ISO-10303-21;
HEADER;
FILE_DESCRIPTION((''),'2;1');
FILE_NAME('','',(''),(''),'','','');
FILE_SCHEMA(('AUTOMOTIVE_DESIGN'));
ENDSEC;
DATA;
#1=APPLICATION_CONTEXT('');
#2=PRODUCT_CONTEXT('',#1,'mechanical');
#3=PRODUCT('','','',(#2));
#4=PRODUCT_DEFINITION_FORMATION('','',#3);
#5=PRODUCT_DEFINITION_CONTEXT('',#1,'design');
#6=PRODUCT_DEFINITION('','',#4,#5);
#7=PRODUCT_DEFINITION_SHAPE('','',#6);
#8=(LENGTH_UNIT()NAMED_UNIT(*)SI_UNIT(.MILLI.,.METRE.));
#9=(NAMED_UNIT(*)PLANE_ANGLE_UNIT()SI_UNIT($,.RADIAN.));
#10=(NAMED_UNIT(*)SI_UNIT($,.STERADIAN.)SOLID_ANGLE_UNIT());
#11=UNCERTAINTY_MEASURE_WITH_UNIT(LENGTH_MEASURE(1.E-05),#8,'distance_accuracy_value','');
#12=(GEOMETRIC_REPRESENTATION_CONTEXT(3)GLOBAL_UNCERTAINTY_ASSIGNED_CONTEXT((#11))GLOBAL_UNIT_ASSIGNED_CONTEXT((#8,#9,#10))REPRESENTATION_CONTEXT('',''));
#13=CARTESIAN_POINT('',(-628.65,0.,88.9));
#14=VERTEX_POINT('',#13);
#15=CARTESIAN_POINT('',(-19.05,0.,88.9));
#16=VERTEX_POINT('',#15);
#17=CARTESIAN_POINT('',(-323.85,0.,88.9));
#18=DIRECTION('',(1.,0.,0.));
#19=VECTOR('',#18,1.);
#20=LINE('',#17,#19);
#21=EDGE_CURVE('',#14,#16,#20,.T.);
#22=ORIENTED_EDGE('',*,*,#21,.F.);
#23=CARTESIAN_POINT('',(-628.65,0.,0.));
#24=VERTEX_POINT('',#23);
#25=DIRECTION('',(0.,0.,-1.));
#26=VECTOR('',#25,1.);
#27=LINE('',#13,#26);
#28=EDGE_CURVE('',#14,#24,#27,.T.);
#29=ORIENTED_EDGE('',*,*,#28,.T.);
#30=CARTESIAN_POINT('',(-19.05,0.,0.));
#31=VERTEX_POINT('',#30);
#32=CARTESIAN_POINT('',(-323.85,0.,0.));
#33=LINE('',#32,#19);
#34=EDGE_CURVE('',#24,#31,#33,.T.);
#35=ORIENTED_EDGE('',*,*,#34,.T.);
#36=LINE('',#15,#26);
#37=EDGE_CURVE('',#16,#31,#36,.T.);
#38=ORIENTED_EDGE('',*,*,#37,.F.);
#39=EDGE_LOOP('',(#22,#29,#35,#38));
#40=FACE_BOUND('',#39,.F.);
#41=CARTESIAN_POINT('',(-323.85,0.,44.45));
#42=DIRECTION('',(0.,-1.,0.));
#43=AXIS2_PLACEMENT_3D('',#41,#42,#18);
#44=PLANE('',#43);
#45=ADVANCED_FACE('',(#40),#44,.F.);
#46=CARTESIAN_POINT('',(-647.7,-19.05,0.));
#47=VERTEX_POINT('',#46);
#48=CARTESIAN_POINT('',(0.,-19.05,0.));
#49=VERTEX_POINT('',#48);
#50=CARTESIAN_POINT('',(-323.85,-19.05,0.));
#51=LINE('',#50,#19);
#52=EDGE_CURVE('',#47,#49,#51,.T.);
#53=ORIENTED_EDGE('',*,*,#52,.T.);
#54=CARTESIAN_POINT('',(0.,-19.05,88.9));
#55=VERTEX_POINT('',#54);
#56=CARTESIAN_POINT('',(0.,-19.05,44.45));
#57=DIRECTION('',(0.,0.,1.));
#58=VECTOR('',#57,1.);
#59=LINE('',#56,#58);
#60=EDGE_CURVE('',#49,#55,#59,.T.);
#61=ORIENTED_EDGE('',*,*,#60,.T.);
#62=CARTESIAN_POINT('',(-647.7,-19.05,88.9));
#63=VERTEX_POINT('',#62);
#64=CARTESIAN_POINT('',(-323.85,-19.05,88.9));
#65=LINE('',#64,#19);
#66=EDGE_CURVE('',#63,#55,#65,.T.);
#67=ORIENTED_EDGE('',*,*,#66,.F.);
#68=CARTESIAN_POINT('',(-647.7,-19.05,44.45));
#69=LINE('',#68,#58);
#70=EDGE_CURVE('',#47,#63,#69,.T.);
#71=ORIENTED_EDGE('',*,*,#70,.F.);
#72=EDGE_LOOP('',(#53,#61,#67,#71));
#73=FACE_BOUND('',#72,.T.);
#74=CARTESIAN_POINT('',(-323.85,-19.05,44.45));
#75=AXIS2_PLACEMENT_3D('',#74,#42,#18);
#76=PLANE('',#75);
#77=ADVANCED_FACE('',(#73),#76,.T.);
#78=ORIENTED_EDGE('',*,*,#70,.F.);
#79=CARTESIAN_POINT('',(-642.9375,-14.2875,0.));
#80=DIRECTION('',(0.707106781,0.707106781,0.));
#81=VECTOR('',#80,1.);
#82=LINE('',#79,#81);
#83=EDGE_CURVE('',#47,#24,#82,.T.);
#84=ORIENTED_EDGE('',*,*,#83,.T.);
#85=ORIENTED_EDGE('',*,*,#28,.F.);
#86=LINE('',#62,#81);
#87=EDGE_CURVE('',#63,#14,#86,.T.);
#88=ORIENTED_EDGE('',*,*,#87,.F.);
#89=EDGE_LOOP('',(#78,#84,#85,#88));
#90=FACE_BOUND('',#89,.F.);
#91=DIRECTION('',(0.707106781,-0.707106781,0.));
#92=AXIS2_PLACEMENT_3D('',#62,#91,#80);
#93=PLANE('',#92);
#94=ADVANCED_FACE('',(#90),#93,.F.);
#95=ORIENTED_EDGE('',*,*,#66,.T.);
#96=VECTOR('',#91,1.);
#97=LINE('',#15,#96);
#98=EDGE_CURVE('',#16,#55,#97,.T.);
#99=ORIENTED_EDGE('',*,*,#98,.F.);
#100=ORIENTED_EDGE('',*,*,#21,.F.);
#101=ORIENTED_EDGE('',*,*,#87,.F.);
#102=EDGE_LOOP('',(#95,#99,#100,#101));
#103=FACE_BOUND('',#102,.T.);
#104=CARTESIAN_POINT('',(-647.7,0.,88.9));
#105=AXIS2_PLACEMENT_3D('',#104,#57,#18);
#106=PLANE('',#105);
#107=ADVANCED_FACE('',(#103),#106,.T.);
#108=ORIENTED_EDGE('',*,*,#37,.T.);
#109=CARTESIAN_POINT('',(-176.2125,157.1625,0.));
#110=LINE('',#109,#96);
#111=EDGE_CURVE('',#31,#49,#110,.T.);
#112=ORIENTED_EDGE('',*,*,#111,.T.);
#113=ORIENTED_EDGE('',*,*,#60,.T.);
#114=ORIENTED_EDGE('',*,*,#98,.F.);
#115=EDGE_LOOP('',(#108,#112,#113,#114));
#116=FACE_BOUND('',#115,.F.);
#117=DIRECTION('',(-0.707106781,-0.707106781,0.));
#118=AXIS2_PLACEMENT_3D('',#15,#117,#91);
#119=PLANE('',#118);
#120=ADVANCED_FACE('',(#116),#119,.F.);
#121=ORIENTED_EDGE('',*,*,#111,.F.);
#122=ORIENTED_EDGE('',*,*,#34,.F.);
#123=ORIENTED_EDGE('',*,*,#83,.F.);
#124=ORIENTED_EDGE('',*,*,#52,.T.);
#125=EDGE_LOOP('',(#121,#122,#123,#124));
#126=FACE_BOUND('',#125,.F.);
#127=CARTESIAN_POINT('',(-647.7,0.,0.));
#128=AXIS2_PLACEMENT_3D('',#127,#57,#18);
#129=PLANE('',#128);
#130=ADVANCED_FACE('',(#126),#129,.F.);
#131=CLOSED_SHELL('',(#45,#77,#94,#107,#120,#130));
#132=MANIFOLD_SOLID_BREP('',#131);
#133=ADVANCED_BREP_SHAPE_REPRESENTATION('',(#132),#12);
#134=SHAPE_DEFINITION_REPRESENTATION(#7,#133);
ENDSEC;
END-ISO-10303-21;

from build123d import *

# Parameters (mm, degrees)
F0_W     = 647.7
F0_H     = 88.9
F1_DEPTH = 19.05
F3_DEPTH = 127
F5_DEPTH = 127


with BuildPart() as f1:
    # F0 (on Front) → F1 (new body)
    with BuildSketch(Plane.XZ):
        with Locations((-323.85, 44.45)):
            Rectangle(F0_W, F0_H)
    extrude(amount=F1_DEPTH)

    # F2 (on face) → F3 (cut)
    with BuildSketch(Plane.XY.offset(88.9)):
        Polygon((-647.7, 0), (-647.7, -19.05), (-628.65, 0), align=None)
    extrude(amount=-F3_DEPTH, mode=Mode.SUBTRACT)

    # F4 (on face) → F5 (cut)
    with BuildSketch(Plane.XY.offset(88.9)):
        Polygon((-19.05, 0), (0, -19.05), (0, 0), align=None)
    extrude(amount=-F5_DEPTH, mode=Mode.SUBTRACT)


solid = f1.part
